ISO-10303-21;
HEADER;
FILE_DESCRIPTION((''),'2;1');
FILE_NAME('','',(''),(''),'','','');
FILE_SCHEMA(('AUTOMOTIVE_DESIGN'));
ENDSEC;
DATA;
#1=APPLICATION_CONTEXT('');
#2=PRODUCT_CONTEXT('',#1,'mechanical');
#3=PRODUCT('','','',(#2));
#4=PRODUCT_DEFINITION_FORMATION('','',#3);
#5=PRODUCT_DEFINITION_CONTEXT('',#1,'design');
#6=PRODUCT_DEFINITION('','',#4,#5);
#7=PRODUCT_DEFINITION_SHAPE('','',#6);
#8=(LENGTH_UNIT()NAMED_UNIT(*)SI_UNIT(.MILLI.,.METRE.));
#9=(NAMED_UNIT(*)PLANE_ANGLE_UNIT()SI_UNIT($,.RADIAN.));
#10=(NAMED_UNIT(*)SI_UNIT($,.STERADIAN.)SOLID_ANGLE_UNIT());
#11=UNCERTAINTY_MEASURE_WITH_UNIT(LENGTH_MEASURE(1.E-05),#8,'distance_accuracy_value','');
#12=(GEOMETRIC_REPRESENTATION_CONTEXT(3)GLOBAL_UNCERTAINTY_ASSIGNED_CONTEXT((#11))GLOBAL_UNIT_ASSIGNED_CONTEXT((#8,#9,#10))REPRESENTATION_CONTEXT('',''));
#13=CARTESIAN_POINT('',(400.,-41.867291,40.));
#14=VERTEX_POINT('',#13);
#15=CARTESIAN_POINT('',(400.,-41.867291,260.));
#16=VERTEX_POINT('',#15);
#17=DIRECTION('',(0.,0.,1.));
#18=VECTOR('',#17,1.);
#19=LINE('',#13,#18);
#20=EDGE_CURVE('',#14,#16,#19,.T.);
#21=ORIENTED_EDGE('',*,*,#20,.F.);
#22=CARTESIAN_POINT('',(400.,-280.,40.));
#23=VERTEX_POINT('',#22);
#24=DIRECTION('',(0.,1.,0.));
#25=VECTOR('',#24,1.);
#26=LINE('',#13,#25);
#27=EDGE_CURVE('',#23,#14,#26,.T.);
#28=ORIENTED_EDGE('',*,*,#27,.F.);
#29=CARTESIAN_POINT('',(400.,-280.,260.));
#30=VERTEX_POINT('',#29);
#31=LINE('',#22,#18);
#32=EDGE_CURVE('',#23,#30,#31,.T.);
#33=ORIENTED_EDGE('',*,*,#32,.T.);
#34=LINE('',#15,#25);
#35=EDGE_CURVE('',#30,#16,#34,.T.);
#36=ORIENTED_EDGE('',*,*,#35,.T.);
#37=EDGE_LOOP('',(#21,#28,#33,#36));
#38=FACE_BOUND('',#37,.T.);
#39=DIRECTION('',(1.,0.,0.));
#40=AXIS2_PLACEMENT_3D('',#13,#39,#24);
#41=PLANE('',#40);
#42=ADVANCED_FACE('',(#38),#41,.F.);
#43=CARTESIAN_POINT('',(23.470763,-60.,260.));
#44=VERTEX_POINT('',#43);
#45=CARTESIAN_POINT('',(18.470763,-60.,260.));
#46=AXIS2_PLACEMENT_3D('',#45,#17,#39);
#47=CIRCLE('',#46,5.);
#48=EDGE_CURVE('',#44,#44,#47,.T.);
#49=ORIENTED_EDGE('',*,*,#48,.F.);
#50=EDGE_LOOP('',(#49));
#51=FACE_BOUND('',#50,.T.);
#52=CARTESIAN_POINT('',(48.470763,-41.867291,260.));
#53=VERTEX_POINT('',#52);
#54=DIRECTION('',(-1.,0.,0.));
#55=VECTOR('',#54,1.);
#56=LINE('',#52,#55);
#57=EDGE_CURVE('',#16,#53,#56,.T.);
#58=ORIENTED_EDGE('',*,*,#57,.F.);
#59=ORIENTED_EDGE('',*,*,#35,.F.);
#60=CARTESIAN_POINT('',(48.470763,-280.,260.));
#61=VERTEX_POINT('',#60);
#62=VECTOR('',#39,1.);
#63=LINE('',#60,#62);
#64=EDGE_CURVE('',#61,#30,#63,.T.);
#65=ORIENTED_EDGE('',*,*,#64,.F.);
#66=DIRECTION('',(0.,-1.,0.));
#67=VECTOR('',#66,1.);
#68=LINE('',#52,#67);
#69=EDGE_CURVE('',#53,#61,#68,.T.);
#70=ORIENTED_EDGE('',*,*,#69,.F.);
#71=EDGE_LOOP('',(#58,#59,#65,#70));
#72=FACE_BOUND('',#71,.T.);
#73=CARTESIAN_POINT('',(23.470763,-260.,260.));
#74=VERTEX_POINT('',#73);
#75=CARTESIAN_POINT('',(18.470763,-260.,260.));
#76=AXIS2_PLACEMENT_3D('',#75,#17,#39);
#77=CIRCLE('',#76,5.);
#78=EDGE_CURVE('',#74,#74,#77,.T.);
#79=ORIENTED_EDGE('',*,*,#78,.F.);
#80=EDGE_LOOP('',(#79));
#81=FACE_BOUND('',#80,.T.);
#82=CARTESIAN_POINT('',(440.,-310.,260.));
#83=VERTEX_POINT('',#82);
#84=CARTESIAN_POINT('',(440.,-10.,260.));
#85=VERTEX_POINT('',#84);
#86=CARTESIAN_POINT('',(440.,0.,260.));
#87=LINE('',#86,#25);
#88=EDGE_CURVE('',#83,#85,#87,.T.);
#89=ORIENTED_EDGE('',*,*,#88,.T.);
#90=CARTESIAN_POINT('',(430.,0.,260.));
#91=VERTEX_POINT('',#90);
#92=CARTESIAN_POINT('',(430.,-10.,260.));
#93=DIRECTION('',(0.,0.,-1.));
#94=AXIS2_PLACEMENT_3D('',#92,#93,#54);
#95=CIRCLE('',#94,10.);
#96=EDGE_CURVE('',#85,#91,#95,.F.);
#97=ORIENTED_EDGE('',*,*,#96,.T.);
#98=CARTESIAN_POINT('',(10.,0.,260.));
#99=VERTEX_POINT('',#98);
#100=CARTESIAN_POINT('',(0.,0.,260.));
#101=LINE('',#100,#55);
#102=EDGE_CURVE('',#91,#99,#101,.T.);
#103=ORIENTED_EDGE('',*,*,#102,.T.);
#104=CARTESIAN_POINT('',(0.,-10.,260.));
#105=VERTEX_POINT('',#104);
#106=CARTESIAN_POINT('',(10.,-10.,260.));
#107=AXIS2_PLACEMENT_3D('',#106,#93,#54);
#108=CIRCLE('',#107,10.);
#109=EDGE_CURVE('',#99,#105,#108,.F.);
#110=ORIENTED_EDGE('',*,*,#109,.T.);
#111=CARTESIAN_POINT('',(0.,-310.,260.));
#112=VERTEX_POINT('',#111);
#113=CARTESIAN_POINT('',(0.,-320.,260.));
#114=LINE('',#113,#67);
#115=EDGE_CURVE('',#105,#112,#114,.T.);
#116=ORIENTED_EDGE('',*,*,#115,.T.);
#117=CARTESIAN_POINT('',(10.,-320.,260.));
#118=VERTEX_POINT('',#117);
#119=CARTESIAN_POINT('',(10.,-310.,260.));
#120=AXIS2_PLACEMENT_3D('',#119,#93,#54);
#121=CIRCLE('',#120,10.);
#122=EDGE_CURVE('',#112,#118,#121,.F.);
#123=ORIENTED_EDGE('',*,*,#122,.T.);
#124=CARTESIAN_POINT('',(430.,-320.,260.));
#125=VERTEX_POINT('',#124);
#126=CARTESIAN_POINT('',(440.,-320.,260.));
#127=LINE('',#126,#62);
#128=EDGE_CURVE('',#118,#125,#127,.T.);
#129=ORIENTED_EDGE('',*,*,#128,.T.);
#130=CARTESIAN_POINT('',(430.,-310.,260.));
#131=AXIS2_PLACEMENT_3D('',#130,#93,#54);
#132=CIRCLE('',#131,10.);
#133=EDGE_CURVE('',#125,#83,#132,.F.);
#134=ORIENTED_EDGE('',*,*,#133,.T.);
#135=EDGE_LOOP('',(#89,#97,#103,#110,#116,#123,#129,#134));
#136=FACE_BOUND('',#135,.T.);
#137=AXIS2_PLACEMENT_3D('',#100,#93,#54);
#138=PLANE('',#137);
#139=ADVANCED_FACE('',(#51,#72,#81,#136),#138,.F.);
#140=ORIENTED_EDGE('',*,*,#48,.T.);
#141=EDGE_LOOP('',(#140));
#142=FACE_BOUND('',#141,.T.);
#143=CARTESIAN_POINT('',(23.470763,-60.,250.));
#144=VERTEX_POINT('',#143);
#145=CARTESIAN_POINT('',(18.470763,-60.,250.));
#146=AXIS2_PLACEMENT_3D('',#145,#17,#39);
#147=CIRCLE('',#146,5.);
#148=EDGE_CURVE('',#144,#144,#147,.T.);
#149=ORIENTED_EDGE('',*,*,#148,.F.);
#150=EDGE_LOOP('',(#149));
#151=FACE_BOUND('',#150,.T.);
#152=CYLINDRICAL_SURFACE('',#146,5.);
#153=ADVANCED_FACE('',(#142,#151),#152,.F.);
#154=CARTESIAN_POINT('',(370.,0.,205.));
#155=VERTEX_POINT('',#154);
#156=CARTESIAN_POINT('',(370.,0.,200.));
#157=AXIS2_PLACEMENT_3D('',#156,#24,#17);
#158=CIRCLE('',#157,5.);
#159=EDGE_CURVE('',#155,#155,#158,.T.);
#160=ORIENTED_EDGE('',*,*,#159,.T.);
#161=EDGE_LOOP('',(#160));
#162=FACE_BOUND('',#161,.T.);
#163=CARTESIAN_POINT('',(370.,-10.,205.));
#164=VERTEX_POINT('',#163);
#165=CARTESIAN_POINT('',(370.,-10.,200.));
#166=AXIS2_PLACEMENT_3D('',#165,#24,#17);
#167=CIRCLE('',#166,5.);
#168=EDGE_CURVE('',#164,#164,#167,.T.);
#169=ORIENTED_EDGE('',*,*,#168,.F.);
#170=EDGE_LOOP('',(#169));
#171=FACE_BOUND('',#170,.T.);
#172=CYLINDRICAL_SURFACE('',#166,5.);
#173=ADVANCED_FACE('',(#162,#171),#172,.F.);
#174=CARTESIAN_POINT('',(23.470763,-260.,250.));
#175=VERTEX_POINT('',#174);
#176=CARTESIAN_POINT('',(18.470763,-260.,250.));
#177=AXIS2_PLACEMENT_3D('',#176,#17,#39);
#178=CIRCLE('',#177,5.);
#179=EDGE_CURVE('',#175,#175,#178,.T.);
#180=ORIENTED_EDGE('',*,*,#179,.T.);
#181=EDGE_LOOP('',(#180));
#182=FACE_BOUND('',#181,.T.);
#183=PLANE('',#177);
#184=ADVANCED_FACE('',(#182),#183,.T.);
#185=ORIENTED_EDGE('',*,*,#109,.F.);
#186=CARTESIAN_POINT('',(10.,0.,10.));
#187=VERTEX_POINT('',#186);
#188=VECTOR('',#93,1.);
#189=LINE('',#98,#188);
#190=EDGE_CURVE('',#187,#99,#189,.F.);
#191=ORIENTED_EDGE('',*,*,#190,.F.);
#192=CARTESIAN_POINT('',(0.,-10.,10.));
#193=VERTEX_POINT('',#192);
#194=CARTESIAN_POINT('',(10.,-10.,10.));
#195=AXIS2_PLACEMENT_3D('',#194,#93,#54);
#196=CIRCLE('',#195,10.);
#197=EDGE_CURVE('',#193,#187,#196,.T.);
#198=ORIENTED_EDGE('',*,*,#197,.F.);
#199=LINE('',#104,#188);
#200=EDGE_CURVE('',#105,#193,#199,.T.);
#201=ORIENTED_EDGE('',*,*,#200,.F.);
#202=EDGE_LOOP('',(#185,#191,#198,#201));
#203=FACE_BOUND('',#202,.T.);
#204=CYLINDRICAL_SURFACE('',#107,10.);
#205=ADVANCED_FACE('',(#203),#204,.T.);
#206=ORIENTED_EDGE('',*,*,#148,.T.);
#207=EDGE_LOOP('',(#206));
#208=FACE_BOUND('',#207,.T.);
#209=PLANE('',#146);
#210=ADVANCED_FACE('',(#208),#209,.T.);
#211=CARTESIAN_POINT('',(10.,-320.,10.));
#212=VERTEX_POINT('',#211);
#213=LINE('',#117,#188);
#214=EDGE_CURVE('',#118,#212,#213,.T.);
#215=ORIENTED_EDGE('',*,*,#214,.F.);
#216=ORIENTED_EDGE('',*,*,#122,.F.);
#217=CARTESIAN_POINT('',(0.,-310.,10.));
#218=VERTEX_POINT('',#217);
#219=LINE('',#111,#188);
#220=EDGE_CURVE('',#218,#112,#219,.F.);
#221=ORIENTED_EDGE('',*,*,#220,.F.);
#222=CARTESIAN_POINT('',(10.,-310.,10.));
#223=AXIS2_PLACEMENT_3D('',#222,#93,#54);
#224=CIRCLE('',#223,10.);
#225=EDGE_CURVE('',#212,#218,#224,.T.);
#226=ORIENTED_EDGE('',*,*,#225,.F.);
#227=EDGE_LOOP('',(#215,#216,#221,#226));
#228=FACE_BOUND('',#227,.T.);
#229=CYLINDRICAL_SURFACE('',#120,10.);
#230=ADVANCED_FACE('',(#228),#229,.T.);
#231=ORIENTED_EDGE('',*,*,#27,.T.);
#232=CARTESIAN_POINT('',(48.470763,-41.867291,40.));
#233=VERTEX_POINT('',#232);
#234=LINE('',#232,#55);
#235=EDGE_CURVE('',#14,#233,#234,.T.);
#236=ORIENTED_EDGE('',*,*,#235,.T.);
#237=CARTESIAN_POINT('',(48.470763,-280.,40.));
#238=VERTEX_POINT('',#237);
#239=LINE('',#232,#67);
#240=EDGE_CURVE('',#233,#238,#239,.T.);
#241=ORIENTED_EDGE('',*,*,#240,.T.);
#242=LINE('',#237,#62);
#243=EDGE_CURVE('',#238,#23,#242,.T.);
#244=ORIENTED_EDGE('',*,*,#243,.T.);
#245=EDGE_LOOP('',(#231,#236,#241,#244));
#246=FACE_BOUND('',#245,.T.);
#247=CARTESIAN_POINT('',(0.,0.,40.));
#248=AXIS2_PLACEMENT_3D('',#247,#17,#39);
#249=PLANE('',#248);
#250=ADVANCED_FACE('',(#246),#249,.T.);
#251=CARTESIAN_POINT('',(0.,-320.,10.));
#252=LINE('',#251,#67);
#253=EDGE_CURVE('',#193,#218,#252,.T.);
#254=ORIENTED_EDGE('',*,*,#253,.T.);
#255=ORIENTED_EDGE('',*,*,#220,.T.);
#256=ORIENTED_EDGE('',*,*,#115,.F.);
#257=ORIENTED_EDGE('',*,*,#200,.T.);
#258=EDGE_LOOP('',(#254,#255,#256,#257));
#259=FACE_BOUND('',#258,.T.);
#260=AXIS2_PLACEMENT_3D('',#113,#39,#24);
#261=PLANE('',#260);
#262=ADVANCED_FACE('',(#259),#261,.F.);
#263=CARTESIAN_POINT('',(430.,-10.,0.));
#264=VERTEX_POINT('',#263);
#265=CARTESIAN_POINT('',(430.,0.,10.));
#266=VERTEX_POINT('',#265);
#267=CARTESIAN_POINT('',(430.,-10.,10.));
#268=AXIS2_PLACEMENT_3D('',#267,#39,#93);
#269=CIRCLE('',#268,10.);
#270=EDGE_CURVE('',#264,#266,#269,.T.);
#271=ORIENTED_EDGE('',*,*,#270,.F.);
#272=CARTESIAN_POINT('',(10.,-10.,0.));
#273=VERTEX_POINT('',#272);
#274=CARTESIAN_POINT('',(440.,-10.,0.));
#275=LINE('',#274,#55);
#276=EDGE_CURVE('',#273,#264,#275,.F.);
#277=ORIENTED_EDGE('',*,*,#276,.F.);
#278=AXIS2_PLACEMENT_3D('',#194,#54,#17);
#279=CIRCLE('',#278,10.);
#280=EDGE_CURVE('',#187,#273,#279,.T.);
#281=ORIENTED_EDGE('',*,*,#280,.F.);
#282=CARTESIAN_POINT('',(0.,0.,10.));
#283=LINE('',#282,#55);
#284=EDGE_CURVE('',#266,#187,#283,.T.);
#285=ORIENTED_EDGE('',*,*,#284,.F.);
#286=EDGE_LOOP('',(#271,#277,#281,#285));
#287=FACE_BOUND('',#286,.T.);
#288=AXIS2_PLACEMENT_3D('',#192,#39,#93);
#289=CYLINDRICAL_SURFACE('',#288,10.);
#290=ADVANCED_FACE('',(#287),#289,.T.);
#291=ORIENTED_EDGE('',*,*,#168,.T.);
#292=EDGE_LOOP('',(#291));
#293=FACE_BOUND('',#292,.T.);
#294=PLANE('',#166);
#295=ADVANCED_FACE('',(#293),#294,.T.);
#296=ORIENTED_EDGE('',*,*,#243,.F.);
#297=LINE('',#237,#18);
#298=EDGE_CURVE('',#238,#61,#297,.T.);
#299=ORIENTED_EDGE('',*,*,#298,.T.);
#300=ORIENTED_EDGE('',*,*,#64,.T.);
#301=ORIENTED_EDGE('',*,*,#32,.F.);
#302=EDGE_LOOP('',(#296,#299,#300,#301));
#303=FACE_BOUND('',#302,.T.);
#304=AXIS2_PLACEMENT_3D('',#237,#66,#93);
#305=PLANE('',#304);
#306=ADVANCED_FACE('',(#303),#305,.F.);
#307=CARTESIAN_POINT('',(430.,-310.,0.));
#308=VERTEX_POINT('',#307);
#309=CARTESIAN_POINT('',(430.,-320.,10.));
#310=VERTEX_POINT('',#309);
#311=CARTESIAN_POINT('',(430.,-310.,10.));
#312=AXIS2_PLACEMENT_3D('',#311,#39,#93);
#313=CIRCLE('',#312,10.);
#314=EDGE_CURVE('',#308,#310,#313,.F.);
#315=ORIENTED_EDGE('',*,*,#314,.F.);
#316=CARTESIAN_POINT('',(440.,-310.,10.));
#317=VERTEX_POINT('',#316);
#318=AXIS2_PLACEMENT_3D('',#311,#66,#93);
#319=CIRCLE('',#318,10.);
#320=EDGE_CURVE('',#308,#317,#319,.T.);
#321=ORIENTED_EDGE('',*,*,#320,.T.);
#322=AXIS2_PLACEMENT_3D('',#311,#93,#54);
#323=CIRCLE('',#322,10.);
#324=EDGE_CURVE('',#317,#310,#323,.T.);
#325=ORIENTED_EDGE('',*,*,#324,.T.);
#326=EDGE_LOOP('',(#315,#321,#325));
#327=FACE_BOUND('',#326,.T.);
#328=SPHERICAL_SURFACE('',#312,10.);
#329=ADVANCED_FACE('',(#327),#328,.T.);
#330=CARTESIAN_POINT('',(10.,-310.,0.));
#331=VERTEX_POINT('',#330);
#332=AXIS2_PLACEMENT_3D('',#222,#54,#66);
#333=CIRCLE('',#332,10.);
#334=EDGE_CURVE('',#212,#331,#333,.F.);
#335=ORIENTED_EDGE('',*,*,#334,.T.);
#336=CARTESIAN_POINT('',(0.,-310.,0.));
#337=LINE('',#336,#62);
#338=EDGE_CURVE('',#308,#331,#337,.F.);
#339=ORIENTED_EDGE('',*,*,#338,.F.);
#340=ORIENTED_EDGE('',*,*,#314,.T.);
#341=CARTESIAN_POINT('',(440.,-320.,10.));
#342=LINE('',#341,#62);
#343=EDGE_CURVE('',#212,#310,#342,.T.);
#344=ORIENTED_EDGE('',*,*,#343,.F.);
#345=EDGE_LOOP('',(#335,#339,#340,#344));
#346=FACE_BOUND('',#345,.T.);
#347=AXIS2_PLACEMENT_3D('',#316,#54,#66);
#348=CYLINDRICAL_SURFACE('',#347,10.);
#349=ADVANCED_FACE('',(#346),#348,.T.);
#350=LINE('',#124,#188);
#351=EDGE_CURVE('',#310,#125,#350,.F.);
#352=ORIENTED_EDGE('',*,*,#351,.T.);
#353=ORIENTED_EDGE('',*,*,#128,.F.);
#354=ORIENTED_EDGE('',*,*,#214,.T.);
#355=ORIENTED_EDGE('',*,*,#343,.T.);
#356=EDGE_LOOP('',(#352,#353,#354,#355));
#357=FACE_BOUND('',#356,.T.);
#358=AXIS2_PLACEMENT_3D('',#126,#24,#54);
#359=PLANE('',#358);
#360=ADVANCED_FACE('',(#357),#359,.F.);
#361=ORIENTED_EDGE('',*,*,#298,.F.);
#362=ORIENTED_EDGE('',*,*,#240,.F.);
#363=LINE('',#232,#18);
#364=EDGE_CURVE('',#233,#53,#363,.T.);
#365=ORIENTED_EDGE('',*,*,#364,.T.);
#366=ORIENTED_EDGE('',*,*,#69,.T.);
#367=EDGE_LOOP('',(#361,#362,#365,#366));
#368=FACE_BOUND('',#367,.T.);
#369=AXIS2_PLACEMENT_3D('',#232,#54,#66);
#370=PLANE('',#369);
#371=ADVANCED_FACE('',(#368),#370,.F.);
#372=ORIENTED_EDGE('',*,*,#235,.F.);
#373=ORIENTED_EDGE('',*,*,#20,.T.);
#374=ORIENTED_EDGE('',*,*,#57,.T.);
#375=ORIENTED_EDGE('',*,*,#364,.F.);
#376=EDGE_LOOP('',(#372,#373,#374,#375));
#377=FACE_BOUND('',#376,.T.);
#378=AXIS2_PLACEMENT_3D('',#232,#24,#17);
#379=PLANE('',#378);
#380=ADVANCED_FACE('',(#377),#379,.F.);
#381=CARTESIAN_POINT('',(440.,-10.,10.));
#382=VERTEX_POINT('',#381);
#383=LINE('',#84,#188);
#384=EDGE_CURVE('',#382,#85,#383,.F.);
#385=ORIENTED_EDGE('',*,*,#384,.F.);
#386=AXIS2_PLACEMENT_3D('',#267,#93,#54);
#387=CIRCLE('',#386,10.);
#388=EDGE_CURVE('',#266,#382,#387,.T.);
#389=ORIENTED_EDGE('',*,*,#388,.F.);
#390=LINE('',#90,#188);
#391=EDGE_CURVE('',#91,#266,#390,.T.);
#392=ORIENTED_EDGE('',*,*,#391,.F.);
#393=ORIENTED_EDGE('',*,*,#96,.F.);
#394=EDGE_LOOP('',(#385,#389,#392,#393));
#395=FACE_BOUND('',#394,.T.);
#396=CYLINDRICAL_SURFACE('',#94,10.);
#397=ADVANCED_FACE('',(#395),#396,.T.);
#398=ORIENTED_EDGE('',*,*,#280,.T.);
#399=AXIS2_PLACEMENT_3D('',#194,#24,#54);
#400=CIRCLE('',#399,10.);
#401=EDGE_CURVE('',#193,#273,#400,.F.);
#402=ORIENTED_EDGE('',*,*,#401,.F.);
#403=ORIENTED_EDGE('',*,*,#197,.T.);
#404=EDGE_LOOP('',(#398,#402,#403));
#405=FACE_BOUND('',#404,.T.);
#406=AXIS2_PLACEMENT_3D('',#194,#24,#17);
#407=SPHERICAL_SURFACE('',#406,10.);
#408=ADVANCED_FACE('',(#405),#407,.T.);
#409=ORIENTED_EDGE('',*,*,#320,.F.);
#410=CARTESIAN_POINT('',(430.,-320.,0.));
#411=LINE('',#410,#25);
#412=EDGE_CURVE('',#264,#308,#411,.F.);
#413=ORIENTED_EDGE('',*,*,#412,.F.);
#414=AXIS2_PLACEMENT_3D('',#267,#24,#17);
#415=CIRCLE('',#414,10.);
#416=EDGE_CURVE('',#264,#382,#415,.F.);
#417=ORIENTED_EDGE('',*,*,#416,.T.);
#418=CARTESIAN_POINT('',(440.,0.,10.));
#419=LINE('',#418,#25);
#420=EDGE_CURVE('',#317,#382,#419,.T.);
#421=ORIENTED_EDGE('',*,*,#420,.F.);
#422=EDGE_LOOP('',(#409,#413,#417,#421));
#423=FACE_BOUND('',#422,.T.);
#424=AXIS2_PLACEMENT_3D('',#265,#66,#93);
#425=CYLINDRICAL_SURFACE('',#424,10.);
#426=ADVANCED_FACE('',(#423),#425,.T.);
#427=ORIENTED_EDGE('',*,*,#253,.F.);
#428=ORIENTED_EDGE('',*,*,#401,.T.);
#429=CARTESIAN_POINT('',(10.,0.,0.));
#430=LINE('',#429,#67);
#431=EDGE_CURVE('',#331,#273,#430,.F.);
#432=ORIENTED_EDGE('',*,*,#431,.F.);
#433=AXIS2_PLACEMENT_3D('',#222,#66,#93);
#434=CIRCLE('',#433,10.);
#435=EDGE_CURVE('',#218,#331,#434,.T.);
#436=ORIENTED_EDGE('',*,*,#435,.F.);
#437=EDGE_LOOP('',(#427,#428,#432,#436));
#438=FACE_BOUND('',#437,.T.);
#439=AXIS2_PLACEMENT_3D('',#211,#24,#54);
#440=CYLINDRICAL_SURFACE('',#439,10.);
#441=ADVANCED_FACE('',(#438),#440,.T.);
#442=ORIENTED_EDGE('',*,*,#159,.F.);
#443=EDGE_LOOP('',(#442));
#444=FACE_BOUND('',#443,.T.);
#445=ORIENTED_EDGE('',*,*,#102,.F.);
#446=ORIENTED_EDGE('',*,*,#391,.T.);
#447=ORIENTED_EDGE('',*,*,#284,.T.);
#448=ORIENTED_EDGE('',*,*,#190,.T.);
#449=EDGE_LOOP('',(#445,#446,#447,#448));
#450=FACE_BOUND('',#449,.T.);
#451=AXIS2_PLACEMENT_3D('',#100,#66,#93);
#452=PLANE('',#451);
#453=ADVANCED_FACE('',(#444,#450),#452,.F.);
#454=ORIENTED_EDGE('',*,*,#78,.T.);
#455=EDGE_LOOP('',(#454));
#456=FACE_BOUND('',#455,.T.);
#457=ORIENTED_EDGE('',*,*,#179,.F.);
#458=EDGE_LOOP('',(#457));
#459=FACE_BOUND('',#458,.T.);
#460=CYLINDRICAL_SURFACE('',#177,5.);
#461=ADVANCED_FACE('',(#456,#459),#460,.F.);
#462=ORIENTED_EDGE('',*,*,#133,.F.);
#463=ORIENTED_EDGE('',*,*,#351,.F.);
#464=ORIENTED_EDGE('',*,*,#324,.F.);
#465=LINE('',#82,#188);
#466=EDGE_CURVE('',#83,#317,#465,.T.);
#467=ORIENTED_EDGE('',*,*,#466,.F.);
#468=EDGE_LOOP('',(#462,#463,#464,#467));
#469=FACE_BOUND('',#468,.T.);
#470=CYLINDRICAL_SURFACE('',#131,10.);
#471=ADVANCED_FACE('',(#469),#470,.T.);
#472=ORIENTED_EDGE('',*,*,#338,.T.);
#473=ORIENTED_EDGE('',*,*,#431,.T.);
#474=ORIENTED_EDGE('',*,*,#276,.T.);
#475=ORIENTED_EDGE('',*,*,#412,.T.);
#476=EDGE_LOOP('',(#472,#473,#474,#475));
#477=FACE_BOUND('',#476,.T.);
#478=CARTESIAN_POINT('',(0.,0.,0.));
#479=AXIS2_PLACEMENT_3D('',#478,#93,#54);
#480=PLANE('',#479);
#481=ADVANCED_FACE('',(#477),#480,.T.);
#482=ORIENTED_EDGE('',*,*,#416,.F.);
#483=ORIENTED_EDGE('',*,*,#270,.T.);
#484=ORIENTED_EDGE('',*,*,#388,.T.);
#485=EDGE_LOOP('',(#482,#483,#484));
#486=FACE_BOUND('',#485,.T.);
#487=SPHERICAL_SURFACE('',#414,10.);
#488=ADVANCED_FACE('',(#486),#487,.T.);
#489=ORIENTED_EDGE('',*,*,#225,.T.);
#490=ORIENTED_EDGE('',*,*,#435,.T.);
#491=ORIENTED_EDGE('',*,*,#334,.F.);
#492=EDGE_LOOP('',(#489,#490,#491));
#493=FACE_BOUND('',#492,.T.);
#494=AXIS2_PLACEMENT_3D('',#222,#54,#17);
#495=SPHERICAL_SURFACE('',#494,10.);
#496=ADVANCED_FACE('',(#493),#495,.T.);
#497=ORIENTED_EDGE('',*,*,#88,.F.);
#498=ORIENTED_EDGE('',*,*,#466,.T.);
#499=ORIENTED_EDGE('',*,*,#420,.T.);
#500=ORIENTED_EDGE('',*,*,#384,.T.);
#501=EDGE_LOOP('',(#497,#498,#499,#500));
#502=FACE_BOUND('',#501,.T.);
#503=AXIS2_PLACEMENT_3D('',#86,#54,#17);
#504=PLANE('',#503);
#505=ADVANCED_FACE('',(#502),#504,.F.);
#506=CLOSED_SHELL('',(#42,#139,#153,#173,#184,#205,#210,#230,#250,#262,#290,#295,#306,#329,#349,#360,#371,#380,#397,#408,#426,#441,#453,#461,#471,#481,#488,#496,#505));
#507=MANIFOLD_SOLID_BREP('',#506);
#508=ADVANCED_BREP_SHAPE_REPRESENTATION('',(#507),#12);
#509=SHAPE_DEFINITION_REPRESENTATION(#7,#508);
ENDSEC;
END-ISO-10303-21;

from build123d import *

# Parameters (mm, degrees)
SKETCH_1_W          = 440
SKETCH_1_H          = 320
EXTRUDE_1_DEPTH     = 260
SKETCH_6_W          = 351.529236831
SKETCH_6_H          = 238.132708821
CUT_EXTRUDE_1_DEPTH = 220
FILLET_1_R          = 10
SKETCH_7_R          = 5
CUT_EXTRUDE_2_DEPTH = 10
SKETCH_8_R          = 5
CUT_EXTRUDE_3_DEPTH = 10


with BuildPart() as part:
    # 草图1 → 凸台-拉伸1 (new body)
    with BuildSketch(Plane.XY):
        with Locations((220, -160)):
            Rectangle(SKETCH_1_W, SKETCH_1_H)
    extrude(amount=EXTRUDE_1_DEPTH)

    # 草图6 → 切除-拉伸1 (cut)
    with BuildSketch(Plane.XY.offset(260)):
        with Locations((224.235381585, -160.93364559)):
            Rectangle(SKETCH_6_W, SKETCH_6_H)
    extrude(amount=-CUT_EXTRUDE_1_DEPTH, mode=Mode.SUBTRACT)

    # 圆角1
    fillet_1_edges = [part.edges().sort_by_distance(p)[0] for p in [
        (220, 0, 0),
        (440, -160, 0),
        (220, -320, 0),
        (0, -160, 0),
        (0, 0, 130),
        (440, 0, 130),
        (440, -320, 130),
        (0, -320, 130),
    ]]
    fillet(fillet_1_edges, radius=FILLET_1_R)

    # 草图7 → 切除-拉伸2 (cut)
    with BuildSketch(Plane.XY.offset(260)):
        with Locations((18.470763169, -60)):
            Circle(SKETCH_7_R)
        with Locations((18.470763169, -260)):
            Circle(SKETCH_7_R)
    extrude(amount=-CUT_EXTRUDE_2_DEPTH, mode=Mode.SUBTRACT)

    # 草图8 → 切除-拉伸3 (cut)
    with BuildSketch(Plane(origin=(0, 0, 0), x_dir=(1, 0, 0), z_dir=(0, 1, 0))):
        with Locations(Location((370, -200, 0), (0, 0, 270))):
            Circle(SKETCH_8_R)
    extrude(amount=-CUT_EXTRUDE_3_DEPTH, mode=Mode.SUBTRACT)


solid = part.part
